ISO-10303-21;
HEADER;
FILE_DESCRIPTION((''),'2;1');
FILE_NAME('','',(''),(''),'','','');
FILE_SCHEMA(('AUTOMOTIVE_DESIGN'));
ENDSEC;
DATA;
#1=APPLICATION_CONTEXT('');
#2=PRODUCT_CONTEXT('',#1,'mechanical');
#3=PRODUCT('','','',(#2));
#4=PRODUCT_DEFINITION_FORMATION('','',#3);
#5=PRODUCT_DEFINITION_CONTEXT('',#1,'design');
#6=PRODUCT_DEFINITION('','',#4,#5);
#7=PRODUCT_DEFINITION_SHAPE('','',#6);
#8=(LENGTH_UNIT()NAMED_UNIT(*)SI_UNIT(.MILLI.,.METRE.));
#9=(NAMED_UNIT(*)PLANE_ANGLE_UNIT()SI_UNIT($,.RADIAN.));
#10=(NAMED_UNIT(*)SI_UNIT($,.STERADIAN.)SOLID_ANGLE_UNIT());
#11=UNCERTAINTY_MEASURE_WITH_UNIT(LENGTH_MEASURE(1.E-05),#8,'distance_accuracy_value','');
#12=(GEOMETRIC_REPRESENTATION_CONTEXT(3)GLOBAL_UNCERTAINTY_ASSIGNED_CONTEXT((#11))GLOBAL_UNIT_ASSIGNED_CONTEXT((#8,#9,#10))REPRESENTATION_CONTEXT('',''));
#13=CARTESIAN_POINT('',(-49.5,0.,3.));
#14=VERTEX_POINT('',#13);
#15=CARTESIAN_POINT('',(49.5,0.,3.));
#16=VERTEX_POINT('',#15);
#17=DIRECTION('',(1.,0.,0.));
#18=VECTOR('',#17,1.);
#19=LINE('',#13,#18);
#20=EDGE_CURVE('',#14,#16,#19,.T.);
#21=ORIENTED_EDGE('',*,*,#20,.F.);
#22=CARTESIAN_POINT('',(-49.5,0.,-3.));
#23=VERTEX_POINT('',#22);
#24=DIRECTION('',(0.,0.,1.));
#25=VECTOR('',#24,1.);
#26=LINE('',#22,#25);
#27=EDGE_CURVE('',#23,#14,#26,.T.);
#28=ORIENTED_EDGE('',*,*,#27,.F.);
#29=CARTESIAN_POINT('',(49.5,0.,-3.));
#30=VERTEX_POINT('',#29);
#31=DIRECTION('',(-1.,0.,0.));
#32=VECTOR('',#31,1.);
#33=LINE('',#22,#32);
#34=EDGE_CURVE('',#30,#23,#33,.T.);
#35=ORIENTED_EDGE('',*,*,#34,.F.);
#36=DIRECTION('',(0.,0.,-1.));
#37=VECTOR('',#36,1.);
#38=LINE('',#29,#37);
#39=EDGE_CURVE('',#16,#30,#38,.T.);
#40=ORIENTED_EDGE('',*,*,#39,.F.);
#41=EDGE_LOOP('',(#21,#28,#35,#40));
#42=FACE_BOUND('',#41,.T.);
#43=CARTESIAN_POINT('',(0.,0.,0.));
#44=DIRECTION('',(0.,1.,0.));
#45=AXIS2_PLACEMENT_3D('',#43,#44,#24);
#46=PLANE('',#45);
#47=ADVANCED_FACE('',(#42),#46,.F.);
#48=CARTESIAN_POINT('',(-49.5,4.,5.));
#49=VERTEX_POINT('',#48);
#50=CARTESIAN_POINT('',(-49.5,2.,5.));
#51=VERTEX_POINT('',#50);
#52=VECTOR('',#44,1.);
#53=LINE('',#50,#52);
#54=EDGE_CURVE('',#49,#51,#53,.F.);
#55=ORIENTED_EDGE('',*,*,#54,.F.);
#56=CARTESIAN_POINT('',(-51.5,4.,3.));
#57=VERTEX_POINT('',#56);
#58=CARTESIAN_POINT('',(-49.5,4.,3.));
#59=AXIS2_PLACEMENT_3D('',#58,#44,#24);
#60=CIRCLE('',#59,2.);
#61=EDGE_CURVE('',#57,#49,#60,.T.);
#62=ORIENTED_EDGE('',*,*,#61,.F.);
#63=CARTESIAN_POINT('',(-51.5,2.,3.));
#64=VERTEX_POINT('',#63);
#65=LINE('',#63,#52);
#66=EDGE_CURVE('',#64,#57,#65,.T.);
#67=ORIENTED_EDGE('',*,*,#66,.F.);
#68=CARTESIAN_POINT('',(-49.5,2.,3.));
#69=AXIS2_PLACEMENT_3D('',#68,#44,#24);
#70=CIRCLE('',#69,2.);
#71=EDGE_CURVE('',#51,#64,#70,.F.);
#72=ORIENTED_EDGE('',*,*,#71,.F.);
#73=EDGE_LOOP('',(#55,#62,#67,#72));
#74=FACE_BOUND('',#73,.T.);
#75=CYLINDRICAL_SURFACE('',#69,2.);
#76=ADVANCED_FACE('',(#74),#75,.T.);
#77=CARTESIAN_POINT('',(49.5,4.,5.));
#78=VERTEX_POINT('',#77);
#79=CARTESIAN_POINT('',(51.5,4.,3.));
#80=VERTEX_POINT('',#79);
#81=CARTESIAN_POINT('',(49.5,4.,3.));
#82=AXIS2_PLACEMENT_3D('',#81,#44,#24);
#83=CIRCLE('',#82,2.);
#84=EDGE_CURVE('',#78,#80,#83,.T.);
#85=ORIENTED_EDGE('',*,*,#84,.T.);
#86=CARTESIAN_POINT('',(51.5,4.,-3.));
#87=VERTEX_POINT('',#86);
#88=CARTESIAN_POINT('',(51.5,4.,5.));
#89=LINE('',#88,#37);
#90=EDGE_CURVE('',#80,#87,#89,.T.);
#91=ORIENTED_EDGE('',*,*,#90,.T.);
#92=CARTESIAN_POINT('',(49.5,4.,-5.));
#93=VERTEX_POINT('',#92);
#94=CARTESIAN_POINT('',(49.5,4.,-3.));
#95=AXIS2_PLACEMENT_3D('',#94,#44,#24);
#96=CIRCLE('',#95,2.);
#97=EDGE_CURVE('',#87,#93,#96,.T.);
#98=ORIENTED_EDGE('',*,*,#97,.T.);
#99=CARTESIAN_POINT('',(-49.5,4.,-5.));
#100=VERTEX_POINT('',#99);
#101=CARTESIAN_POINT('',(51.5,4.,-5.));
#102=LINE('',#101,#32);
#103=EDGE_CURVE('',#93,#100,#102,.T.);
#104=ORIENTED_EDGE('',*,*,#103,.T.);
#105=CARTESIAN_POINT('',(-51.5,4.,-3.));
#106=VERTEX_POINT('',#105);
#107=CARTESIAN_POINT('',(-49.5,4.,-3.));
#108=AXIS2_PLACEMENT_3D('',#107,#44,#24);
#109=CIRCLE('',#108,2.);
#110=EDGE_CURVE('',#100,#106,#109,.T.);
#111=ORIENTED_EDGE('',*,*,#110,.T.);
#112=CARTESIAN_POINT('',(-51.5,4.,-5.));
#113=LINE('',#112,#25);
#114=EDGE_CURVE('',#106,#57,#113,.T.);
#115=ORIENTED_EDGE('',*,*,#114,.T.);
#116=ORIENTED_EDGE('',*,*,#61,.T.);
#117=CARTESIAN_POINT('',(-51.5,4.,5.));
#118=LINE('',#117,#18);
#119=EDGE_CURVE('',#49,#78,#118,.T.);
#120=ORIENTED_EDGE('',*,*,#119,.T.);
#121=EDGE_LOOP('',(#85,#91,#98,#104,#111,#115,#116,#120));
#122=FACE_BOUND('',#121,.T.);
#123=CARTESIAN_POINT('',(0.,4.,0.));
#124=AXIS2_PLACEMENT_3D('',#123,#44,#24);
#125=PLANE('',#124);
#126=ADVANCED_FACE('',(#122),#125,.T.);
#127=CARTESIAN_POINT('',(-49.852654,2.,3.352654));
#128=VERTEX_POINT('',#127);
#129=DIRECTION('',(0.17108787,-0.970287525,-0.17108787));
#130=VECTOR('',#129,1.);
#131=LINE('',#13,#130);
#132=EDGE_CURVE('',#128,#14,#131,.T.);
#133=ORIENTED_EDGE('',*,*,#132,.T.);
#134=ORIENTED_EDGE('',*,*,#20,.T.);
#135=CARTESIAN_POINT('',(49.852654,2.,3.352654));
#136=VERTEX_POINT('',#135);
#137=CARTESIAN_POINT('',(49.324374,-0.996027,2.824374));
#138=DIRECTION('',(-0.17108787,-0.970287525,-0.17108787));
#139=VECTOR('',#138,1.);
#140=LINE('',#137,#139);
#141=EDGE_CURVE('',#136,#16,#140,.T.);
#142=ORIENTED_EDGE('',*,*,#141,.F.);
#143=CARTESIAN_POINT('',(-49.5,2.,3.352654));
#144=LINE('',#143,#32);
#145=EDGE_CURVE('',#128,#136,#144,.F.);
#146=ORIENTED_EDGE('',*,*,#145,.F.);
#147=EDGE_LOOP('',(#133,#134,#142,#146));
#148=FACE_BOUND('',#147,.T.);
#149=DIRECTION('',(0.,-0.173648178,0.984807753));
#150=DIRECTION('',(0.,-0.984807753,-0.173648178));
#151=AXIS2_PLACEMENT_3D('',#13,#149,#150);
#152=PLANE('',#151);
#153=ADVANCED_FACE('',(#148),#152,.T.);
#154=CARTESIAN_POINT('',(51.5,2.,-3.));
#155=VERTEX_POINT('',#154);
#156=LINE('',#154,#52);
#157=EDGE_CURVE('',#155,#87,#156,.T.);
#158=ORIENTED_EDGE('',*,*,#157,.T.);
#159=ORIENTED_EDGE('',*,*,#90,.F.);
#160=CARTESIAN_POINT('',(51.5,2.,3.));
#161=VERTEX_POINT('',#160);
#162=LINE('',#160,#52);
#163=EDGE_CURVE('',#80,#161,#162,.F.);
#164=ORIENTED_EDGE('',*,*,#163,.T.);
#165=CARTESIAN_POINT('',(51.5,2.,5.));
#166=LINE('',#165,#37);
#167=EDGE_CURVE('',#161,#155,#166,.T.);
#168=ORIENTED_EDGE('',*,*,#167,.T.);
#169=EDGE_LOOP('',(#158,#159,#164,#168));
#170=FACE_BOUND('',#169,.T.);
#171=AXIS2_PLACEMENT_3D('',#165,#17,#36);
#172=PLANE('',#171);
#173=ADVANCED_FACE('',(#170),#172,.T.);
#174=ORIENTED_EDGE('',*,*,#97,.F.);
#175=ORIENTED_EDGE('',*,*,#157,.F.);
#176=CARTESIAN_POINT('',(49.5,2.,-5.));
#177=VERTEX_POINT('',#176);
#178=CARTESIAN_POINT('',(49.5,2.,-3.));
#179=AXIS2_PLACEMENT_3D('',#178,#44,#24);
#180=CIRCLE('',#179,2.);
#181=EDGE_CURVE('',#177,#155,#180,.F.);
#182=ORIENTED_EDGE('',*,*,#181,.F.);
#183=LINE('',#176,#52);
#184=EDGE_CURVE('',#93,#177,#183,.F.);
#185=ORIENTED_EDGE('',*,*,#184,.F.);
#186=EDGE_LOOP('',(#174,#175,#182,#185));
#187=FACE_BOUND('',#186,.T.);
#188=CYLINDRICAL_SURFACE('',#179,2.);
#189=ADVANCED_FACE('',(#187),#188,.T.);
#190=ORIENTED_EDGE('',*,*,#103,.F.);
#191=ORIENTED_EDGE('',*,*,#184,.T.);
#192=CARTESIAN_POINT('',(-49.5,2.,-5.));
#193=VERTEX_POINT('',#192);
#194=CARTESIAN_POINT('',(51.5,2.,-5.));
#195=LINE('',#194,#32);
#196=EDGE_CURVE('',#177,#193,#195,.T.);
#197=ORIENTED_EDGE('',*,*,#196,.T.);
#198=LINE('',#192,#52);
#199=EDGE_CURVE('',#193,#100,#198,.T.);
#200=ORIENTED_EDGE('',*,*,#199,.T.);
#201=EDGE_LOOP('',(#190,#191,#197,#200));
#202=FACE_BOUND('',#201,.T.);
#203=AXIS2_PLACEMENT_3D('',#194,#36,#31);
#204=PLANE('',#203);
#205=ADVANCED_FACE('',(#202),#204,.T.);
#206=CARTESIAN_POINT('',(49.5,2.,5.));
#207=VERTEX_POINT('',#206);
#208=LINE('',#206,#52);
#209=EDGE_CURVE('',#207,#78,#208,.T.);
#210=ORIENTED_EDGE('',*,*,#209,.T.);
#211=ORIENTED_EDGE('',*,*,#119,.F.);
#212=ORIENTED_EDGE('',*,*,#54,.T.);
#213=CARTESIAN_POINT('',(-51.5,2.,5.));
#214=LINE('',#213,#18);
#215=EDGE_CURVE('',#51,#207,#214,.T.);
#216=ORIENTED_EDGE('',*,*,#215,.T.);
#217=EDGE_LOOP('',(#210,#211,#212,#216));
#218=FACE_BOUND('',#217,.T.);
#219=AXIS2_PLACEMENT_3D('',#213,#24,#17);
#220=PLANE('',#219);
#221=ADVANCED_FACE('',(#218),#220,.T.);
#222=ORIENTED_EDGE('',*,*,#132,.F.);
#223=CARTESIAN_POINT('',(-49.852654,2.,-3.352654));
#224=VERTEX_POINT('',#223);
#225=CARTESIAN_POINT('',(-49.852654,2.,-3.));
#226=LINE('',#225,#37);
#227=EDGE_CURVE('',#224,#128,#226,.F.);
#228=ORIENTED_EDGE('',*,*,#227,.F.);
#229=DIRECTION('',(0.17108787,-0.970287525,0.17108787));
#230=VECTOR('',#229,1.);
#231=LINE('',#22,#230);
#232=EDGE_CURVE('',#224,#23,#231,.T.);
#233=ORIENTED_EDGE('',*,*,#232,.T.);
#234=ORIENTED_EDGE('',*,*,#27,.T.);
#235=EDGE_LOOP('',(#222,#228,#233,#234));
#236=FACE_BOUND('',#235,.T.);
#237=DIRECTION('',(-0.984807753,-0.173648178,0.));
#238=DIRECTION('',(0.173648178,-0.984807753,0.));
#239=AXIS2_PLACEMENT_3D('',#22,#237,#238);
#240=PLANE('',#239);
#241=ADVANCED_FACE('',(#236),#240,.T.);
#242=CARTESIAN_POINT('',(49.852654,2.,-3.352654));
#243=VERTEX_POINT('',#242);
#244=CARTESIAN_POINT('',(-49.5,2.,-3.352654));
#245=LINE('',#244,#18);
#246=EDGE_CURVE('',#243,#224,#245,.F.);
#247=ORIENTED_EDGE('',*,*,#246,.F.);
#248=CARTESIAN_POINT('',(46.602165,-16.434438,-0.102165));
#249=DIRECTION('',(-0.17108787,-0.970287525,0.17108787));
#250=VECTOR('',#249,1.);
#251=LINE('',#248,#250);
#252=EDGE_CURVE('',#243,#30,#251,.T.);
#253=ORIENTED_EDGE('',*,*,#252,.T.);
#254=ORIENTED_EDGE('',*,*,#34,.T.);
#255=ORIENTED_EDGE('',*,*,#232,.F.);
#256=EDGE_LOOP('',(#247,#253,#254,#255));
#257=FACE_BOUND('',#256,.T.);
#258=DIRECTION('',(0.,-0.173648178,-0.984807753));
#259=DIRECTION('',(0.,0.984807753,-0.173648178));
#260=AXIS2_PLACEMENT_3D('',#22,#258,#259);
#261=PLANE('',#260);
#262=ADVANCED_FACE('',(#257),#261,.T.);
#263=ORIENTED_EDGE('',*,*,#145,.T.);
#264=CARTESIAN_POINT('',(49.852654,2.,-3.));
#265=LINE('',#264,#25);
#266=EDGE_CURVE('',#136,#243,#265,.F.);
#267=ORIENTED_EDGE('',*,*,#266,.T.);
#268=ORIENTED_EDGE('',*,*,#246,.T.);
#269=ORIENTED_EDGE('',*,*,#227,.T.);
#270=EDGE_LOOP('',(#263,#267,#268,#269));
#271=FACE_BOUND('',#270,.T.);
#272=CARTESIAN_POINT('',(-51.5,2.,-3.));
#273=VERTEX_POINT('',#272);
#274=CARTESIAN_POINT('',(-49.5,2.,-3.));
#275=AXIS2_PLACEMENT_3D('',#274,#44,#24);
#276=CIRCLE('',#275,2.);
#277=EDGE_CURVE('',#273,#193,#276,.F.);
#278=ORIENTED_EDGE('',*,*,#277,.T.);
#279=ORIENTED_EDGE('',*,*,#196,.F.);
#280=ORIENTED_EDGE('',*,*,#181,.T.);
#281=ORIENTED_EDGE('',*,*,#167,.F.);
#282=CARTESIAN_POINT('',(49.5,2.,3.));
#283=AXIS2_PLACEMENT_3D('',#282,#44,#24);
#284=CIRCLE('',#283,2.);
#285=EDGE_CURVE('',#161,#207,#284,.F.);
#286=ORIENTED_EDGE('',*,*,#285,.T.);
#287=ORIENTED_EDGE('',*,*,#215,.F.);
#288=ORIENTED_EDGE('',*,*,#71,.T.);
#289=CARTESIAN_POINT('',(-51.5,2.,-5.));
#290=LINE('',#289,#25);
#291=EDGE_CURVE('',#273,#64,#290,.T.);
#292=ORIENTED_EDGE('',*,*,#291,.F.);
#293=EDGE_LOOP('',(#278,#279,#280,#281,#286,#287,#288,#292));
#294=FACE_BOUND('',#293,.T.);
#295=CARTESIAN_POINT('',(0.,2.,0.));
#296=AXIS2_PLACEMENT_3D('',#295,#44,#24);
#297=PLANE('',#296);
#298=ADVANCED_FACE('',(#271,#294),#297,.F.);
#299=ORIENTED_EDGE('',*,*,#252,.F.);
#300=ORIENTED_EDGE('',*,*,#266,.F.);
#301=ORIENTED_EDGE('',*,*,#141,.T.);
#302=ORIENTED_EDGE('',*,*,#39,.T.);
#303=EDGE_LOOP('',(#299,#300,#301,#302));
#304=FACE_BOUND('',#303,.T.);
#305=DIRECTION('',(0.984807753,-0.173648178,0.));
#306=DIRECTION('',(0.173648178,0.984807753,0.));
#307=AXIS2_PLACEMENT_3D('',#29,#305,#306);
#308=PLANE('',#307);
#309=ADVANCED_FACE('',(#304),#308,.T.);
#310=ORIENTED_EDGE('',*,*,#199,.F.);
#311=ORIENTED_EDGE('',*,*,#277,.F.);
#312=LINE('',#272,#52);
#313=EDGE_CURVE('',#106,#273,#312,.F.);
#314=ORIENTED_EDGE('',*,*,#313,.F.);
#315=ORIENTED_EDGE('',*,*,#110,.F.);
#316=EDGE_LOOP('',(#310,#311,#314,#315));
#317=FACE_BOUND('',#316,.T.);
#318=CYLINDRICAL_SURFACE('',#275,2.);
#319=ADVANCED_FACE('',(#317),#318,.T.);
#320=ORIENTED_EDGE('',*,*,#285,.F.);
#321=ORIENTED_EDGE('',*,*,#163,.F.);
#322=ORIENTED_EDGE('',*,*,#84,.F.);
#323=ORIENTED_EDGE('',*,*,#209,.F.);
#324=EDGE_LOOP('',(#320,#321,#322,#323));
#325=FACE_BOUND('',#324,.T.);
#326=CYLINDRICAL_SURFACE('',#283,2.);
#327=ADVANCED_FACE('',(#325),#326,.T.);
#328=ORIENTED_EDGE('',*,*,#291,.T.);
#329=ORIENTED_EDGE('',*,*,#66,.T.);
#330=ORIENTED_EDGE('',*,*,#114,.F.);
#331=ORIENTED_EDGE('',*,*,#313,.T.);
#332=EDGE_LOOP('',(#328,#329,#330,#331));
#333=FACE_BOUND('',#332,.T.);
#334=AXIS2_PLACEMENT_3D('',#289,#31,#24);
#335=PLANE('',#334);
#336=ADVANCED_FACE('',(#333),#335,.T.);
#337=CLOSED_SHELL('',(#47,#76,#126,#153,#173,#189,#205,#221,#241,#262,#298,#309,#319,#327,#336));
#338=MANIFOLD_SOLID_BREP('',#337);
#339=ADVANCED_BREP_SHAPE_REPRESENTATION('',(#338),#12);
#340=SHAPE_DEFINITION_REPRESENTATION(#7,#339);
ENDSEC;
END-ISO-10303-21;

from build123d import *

# Parameters (mm, degrees)
SKETCH1_W           = 99
SKETCH1_H           = 6
BOSS_EXTRUDE1_DEPTH = 2
SKETCH2_W           = 101
SKETCH2_H           = 8
BOSS_EXTRUDE3_DEPTH = 2
DRAFT1_ANGLE        = 10
SKETCH3_W           = 103
SKETCH3_H           = 10
BOSS_EXTRUDE4_DEPTH = 2
FILLET1_R           = 2


with BuildPart() as part:
    # Sketch1 → Boss-Extrude1 (new body)
    with BuildSketch(Plane(origin=(0, 0, 0), x_dir=(1, 0, 0), z_dir=(0, 1, 0))):
        Rectangle(SKETCH1_W, SKETCH1_H)
    extrude(amount=BOSS_EXTRUDE1_DEPTH)

    # Draft1
    draft1_faces = [part.faces().sort_by_distance(p)[0] for p in [
        (49.5, 1, 0),
        (0, 1, 3),
        (-49.5, 1, 0),
        (0, 1, -3),
    ]]
    draft(draft1_faces, Plane(origin=(0, 0, 0), x_dir=(0, 0, -1), z_dir=(0, -1, 0)), DRAFT1_ANGLE)



with BuildPart() as body_2:
    # Sketch2 → Boss-Extrude3 (new body)
    with BuildSketch(Plane(origin=(0, 2, 0), x_dir=(1, 0, 0), z_dir=(0, 1, 0))):
        Rectangle(SKETCH2_W, SKETCH2_H)
    extrude(amount=BOSS_EXTRUDE3_DEPTH)


with BuildPart() as part_1:
    add(part.part)

    add(body_2.part)  # Boss-Extrude4 merges body 2
    # Sketch3 → Boss-Extrude4 (add)
    with BuildSketch(Plane(origin=(0, 4, 0), x_dir=(1, 0, 0), z_dir=(0, 1, 0))):
        Rectangle(SKETCH3_W, SKETCH3_H)
    extrude(amount=-BOSS_EXTRUDE4_DEPTH)

    # Fillet1
    fillet1_edges = [part_1.edges().sort_by_distance(p)[0] for p in [
        (-51.5, 3, 5),
        (-51.5, 3, -5),
        (51.5, 3, -5),
        (51.5, 3, 5),
    ]]
    fillet(fillet1_edges, radius=FILLET1_R)


solid = part_1.part
